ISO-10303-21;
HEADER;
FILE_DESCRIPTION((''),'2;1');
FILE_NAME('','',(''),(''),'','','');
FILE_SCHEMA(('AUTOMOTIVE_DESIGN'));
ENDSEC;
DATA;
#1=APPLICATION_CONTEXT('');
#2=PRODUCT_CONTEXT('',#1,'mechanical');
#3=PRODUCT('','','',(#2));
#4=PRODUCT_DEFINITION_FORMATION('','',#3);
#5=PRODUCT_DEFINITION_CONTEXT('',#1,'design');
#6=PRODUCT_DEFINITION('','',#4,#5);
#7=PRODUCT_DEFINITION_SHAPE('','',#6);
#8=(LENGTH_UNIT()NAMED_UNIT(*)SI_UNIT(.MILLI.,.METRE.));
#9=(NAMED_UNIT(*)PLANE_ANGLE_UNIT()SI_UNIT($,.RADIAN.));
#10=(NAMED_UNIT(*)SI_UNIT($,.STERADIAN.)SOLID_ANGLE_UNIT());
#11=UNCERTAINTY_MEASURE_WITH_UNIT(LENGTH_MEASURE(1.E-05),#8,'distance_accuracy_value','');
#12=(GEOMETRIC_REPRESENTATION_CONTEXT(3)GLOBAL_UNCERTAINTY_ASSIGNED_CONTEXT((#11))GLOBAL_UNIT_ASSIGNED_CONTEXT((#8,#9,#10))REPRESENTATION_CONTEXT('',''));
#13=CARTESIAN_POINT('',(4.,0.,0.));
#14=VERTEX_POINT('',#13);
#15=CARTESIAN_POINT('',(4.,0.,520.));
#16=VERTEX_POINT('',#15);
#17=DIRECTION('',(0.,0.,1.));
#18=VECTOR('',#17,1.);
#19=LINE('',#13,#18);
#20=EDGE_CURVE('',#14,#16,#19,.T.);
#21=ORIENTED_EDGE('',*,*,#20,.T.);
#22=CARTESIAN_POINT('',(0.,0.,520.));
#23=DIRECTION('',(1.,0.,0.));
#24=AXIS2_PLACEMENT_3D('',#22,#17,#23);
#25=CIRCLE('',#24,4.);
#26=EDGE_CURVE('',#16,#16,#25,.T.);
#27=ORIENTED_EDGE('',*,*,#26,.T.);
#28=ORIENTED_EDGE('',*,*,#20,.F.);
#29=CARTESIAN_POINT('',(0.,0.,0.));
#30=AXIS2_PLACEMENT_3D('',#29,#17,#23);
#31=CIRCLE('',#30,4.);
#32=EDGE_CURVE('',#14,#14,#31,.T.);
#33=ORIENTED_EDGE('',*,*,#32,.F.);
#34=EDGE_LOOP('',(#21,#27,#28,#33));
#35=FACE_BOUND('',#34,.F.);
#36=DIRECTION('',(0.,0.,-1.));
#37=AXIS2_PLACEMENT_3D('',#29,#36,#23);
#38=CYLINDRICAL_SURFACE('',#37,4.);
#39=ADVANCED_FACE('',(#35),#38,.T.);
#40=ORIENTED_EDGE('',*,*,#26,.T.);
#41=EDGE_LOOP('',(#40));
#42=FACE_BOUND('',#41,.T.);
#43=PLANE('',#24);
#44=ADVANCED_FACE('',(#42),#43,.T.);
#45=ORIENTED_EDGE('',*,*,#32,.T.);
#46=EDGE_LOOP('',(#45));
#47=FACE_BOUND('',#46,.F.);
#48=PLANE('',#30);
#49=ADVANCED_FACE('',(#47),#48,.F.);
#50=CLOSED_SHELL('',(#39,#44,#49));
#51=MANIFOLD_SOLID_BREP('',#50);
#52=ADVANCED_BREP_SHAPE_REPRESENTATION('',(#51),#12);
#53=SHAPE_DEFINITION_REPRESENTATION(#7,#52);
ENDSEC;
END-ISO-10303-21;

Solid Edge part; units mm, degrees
sketch "Sketch1" plane through (0, 0, 0) normal (0, 0, 1) x (1, 0, 0)
  circle A0 centre (0, 0) radius 4
extrude "Protrusion1" add sketch "Sketch1" along normal blind 520
properties material "Stainless steel"
